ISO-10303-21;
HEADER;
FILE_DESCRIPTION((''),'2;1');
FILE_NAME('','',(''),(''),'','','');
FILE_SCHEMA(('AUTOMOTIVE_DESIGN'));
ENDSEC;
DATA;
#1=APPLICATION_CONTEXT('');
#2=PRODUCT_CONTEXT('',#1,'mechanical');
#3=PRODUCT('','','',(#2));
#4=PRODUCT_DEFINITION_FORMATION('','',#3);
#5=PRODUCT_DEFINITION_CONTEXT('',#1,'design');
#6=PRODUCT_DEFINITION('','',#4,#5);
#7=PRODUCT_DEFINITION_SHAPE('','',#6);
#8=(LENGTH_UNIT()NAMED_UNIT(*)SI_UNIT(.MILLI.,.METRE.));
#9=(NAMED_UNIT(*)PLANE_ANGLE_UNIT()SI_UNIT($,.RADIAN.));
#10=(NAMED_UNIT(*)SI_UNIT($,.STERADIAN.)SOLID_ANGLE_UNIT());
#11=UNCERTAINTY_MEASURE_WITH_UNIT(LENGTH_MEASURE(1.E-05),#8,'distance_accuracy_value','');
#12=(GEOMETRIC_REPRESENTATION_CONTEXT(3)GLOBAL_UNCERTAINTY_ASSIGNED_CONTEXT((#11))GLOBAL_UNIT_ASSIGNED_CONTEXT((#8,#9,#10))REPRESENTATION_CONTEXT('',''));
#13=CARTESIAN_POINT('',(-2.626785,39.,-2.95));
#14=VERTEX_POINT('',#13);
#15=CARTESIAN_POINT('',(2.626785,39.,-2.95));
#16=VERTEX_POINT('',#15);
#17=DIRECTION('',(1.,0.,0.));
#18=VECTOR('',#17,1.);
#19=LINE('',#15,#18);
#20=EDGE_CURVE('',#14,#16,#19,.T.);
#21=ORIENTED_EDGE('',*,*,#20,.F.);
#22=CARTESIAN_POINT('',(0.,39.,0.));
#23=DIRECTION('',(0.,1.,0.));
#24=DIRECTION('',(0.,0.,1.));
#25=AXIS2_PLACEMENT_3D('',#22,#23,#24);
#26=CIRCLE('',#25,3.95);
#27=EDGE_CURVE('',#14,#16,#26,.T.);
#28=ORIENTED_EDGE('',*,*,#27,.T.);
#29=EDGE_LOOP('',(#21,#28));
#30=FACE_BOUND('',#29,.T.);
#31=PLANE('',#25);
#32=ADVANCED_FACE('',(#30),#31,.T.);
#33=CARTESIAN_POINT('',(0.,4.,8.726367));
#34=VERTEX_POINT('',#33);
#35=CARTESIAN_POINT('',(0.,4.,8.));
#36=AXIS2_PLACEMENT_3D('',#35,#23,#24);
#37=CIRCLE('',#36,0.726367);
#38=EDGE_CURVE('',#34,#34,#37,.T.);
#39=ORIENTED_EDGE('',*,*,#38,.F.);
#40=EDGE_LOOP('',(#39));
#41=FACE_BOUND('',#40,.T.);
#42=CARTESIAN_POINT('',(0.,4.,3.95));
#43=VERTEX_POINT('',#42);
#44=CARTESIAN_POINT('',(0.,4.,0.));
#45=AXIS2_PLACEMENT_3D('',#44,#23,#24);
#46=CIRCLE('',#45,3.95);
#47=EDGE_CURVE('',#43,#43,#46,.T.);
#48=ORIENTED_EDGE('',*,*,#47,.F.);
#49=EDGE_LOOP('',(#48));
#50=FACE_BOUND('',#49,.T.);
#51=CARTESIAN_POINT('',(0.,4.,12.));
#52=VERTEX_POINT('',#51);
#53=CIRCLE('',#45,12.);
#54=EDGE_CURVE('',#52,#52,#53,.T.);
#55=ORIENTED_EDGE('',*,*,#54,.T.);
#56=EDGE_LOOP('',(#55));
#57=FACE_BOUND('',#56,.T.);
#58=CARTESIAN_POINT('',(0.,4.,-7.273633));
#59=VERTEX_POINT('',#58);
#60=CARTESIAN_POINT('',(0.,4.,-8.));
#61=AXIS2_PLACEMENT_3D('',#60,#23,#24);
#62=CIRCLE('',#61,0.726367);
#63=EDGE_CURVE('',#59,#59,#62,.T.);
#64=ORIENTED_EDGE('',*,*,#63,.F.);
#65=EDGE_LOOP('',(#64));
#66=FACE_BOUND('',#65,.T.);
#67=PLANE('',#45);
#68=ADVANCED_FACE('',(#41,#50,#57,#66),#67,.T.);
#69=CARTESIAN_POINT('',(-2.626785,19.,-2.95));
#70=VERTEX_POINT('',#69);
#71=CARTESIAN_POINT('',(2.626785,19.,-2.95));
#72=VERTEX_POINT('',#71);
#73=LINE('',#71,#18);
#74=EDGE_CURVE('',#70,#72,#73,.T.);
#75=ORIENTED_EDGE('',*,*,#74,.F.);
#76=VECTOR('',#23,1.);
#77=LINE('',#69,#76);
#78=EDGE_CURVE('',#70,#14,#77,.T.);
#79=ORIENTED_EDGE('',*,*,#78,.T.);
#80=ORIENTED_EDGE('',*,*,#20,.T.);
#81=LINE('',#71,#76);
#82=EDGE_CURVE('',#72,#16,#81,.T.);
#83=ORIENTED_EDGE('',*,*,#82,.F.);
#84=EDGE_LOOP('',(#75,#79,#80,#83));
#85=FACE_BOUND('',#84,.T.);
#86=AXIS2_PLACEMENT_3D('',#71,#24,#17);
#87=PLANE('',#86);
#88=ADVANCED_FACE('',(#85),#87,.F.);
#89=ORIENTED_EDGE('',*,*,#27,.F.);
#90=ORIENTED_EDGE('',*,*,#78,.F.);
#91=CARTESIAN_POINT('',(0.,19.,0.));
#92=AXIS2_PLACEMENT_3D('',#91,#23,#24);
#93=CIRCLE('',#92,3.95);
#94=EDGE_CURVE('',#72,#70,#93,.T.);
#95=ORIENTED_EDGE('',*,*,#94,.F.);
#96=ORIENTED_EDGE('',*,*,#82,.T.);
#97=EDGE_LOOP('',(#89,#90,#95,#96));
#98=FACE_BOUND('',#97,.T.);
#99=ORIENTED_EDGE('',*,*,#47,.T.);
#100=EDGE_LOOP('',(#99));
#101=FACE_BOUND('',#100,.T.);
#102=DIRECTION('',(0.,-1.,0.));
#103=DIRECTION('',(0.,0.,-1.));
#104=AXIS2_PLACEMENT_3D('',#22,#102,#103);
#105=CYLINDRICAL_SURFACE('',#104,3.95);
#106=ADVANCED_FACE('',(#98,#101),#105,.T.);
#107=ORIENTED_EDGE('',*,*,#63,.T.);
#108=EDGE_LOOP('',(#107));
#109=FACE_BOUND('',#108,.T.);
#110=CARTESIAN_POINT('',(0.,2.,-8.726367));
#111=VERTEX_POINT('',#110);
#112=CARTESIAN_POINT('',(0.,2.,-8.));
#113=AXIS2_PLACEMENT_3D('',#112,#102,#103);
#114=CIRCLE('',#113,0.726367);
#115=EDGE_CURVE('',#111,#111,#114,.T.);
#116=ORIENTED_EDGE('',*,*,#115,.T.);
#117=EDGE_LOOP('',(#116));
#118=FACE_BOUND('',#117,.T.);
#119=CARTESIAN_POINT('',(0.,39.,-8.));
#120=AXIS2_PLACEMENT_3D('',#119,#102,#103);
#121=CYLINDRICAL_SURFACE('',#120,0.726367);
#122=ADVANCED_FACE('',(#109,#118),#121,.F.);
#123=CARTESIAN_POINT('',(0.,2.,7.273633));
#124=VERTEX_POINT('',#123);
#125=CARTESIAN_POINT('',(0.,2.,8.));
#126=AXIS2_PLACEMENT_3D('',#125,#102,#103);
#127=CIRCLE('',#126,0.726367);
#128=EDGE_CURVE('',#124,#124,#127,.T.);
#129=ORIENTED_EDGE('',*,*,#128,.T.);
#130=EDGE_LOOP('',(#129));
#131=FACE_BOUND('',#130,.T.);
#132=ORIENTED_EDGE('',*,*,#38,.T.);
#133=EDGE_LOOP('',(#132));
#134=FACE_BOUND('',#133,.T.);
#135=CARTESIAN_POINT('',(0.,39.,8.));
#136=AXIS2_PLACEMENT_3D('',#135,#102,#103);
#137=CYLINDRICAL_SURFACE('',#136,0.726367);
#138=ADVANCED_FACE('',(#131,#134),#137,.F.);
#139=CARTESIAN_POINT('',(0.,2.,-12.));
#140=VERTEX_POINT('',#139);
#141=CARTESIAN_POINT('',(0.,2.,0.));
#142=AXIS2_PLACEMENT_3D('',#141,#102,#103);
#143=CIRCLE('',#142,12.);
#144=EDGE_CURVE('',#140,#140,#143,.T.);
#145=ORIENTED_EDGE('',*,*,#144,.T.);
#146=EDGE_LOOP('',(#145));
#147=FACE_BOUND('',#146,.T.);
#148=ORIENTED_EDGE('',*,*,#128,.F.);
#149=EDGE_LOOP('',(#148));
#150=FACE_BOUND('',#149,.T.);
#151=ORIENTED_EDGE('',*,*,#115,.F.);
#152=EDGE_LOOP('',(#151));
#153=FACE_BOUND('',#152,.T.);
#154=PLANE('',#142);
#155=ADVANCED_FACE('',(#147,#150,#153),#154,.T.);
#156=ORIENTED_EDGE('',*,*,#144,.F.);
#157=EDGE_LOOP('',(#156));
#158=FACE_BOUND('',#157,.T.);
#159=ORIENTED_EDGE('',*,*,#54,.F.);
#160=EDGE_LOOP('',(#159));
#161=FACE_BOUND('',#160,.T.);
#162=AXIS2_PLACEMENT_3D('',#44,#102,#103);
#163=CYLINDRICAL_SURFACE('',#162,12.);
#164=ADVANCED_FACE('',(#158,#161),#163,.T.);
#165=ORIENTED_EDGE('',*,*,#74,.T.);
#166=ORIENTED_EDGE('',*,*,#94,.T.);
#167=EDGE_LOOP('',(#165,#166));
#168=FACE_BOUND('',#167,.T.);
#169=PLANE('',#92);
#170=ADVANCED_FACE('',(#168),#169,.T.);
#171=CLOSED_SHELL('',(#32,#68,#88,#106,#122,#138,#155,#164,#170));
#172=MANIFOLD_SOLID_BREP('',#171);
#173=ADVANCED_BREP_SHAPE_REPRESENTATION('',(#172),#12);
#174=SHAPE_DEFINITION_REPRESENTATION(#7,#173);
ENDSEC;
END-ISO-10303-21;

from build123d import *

# Parameters (mm, degrees)
CROQUIS3_R                 = 12
SALIENTE_EXTRUIR1_DEPTH    = 4
CROQUIS4_R                 = 3.95
SALIENTE_EXTRUIR2_DEPTH    = 35
CORTAR_EXTRUIR1_START      = -20
CORTAR_EXTRUIR1_DEPTH      = 20
CROQUIS7_R                 = 12
CORTAR_EXTRUIR2_DEPTH      = 2
CORTAR_EXTRUIR3_DEPTH      = 41.706264874
CORTAR_EXTRUIR3_DEPTH_BACK = 41.706264874
CROQUIS8_R                 = 0.726366889


with BuildPart() as part:
    # Croquis3 → Saliente-Extruir1 (new body)
    with BuildSketch(Plane(origin=(0, 0, 0), x_dir=(1, 0, 0), z_dir=(0, 1, 0))):
        with Locations(Location((0, 0, 0), (0, 0, 270))):
            Circle(CROQUIS3_R)
    extrude(amount=SALIENTE_EXTRUIR1_DEPTH)

    # Croquis4 → Saliente-Extruir2 (add)
    with BuildSketch(Plane(origin=(0, 4, 0), x_dir=(1, 0, 0), z_dir=(0, 1, 0))):
        with Locations(Location((0, 0, 0), (0, 0, 270))):
            Circle(CROQUIS4_R)
    extrude(amount=SALIENTE_EXTRUIR2_DEPTH)

    # Croquis5 → Cortar-Extruir1 (cut)
    with BuildSketch(Plane(origin=(0, 39, 0), x_dir=(1, 0, 0), z_dir=(0, 1, 0)).offset(CORTAR_EXTRUIR1_START)):
        with BuildLine():
            Line((2.626785107, 2.95), (-2.626785107, 2.95))
            ThreePointArc((-2.626785107, 2.95), (0, 3.95), (2.626785107, 2.95))
        make_face()
    extrude(amount=CORTAR_EXTRUIR1_DEPTH, mode=Mode.SUBTRACT)

    # Croquis7 → Cortar-Extruir2 (cut)
    with BuildSketch(Plane.XZ):
        with Locations(Location((0, 0, 0), (0, 0, 270))):
            Circle(CROQUIS7_R)
    extrude(amount=-CORTAR_EXTRUIR2_DEPTH, mode=Mode.SUBTRACT)

    # Croquis8 → Cortar-Extruir3 (cut, two sides: drawn at the far end of the back side and taken through both)
    with BuildSketch(Plane.XZ.offset(-2).offset(-CORTAR_EXTRUIR3_DEPTH_BACK)):
        with Locations(Location((0, 8, 0), (0, 0, 270))):
            Circle(CROQUIS8_R)
        with Locations(Location((0, -8, 0), (0, 0, 270))):
            Circle(CROQUIS8_R)
    extrude(amount=CORTAR_EXTRUIR3_DEPTH + CORTAR_EXTRUIR3_DEPTH_BACK, mode=Mode.SUBTRACT)


solid = part.part
